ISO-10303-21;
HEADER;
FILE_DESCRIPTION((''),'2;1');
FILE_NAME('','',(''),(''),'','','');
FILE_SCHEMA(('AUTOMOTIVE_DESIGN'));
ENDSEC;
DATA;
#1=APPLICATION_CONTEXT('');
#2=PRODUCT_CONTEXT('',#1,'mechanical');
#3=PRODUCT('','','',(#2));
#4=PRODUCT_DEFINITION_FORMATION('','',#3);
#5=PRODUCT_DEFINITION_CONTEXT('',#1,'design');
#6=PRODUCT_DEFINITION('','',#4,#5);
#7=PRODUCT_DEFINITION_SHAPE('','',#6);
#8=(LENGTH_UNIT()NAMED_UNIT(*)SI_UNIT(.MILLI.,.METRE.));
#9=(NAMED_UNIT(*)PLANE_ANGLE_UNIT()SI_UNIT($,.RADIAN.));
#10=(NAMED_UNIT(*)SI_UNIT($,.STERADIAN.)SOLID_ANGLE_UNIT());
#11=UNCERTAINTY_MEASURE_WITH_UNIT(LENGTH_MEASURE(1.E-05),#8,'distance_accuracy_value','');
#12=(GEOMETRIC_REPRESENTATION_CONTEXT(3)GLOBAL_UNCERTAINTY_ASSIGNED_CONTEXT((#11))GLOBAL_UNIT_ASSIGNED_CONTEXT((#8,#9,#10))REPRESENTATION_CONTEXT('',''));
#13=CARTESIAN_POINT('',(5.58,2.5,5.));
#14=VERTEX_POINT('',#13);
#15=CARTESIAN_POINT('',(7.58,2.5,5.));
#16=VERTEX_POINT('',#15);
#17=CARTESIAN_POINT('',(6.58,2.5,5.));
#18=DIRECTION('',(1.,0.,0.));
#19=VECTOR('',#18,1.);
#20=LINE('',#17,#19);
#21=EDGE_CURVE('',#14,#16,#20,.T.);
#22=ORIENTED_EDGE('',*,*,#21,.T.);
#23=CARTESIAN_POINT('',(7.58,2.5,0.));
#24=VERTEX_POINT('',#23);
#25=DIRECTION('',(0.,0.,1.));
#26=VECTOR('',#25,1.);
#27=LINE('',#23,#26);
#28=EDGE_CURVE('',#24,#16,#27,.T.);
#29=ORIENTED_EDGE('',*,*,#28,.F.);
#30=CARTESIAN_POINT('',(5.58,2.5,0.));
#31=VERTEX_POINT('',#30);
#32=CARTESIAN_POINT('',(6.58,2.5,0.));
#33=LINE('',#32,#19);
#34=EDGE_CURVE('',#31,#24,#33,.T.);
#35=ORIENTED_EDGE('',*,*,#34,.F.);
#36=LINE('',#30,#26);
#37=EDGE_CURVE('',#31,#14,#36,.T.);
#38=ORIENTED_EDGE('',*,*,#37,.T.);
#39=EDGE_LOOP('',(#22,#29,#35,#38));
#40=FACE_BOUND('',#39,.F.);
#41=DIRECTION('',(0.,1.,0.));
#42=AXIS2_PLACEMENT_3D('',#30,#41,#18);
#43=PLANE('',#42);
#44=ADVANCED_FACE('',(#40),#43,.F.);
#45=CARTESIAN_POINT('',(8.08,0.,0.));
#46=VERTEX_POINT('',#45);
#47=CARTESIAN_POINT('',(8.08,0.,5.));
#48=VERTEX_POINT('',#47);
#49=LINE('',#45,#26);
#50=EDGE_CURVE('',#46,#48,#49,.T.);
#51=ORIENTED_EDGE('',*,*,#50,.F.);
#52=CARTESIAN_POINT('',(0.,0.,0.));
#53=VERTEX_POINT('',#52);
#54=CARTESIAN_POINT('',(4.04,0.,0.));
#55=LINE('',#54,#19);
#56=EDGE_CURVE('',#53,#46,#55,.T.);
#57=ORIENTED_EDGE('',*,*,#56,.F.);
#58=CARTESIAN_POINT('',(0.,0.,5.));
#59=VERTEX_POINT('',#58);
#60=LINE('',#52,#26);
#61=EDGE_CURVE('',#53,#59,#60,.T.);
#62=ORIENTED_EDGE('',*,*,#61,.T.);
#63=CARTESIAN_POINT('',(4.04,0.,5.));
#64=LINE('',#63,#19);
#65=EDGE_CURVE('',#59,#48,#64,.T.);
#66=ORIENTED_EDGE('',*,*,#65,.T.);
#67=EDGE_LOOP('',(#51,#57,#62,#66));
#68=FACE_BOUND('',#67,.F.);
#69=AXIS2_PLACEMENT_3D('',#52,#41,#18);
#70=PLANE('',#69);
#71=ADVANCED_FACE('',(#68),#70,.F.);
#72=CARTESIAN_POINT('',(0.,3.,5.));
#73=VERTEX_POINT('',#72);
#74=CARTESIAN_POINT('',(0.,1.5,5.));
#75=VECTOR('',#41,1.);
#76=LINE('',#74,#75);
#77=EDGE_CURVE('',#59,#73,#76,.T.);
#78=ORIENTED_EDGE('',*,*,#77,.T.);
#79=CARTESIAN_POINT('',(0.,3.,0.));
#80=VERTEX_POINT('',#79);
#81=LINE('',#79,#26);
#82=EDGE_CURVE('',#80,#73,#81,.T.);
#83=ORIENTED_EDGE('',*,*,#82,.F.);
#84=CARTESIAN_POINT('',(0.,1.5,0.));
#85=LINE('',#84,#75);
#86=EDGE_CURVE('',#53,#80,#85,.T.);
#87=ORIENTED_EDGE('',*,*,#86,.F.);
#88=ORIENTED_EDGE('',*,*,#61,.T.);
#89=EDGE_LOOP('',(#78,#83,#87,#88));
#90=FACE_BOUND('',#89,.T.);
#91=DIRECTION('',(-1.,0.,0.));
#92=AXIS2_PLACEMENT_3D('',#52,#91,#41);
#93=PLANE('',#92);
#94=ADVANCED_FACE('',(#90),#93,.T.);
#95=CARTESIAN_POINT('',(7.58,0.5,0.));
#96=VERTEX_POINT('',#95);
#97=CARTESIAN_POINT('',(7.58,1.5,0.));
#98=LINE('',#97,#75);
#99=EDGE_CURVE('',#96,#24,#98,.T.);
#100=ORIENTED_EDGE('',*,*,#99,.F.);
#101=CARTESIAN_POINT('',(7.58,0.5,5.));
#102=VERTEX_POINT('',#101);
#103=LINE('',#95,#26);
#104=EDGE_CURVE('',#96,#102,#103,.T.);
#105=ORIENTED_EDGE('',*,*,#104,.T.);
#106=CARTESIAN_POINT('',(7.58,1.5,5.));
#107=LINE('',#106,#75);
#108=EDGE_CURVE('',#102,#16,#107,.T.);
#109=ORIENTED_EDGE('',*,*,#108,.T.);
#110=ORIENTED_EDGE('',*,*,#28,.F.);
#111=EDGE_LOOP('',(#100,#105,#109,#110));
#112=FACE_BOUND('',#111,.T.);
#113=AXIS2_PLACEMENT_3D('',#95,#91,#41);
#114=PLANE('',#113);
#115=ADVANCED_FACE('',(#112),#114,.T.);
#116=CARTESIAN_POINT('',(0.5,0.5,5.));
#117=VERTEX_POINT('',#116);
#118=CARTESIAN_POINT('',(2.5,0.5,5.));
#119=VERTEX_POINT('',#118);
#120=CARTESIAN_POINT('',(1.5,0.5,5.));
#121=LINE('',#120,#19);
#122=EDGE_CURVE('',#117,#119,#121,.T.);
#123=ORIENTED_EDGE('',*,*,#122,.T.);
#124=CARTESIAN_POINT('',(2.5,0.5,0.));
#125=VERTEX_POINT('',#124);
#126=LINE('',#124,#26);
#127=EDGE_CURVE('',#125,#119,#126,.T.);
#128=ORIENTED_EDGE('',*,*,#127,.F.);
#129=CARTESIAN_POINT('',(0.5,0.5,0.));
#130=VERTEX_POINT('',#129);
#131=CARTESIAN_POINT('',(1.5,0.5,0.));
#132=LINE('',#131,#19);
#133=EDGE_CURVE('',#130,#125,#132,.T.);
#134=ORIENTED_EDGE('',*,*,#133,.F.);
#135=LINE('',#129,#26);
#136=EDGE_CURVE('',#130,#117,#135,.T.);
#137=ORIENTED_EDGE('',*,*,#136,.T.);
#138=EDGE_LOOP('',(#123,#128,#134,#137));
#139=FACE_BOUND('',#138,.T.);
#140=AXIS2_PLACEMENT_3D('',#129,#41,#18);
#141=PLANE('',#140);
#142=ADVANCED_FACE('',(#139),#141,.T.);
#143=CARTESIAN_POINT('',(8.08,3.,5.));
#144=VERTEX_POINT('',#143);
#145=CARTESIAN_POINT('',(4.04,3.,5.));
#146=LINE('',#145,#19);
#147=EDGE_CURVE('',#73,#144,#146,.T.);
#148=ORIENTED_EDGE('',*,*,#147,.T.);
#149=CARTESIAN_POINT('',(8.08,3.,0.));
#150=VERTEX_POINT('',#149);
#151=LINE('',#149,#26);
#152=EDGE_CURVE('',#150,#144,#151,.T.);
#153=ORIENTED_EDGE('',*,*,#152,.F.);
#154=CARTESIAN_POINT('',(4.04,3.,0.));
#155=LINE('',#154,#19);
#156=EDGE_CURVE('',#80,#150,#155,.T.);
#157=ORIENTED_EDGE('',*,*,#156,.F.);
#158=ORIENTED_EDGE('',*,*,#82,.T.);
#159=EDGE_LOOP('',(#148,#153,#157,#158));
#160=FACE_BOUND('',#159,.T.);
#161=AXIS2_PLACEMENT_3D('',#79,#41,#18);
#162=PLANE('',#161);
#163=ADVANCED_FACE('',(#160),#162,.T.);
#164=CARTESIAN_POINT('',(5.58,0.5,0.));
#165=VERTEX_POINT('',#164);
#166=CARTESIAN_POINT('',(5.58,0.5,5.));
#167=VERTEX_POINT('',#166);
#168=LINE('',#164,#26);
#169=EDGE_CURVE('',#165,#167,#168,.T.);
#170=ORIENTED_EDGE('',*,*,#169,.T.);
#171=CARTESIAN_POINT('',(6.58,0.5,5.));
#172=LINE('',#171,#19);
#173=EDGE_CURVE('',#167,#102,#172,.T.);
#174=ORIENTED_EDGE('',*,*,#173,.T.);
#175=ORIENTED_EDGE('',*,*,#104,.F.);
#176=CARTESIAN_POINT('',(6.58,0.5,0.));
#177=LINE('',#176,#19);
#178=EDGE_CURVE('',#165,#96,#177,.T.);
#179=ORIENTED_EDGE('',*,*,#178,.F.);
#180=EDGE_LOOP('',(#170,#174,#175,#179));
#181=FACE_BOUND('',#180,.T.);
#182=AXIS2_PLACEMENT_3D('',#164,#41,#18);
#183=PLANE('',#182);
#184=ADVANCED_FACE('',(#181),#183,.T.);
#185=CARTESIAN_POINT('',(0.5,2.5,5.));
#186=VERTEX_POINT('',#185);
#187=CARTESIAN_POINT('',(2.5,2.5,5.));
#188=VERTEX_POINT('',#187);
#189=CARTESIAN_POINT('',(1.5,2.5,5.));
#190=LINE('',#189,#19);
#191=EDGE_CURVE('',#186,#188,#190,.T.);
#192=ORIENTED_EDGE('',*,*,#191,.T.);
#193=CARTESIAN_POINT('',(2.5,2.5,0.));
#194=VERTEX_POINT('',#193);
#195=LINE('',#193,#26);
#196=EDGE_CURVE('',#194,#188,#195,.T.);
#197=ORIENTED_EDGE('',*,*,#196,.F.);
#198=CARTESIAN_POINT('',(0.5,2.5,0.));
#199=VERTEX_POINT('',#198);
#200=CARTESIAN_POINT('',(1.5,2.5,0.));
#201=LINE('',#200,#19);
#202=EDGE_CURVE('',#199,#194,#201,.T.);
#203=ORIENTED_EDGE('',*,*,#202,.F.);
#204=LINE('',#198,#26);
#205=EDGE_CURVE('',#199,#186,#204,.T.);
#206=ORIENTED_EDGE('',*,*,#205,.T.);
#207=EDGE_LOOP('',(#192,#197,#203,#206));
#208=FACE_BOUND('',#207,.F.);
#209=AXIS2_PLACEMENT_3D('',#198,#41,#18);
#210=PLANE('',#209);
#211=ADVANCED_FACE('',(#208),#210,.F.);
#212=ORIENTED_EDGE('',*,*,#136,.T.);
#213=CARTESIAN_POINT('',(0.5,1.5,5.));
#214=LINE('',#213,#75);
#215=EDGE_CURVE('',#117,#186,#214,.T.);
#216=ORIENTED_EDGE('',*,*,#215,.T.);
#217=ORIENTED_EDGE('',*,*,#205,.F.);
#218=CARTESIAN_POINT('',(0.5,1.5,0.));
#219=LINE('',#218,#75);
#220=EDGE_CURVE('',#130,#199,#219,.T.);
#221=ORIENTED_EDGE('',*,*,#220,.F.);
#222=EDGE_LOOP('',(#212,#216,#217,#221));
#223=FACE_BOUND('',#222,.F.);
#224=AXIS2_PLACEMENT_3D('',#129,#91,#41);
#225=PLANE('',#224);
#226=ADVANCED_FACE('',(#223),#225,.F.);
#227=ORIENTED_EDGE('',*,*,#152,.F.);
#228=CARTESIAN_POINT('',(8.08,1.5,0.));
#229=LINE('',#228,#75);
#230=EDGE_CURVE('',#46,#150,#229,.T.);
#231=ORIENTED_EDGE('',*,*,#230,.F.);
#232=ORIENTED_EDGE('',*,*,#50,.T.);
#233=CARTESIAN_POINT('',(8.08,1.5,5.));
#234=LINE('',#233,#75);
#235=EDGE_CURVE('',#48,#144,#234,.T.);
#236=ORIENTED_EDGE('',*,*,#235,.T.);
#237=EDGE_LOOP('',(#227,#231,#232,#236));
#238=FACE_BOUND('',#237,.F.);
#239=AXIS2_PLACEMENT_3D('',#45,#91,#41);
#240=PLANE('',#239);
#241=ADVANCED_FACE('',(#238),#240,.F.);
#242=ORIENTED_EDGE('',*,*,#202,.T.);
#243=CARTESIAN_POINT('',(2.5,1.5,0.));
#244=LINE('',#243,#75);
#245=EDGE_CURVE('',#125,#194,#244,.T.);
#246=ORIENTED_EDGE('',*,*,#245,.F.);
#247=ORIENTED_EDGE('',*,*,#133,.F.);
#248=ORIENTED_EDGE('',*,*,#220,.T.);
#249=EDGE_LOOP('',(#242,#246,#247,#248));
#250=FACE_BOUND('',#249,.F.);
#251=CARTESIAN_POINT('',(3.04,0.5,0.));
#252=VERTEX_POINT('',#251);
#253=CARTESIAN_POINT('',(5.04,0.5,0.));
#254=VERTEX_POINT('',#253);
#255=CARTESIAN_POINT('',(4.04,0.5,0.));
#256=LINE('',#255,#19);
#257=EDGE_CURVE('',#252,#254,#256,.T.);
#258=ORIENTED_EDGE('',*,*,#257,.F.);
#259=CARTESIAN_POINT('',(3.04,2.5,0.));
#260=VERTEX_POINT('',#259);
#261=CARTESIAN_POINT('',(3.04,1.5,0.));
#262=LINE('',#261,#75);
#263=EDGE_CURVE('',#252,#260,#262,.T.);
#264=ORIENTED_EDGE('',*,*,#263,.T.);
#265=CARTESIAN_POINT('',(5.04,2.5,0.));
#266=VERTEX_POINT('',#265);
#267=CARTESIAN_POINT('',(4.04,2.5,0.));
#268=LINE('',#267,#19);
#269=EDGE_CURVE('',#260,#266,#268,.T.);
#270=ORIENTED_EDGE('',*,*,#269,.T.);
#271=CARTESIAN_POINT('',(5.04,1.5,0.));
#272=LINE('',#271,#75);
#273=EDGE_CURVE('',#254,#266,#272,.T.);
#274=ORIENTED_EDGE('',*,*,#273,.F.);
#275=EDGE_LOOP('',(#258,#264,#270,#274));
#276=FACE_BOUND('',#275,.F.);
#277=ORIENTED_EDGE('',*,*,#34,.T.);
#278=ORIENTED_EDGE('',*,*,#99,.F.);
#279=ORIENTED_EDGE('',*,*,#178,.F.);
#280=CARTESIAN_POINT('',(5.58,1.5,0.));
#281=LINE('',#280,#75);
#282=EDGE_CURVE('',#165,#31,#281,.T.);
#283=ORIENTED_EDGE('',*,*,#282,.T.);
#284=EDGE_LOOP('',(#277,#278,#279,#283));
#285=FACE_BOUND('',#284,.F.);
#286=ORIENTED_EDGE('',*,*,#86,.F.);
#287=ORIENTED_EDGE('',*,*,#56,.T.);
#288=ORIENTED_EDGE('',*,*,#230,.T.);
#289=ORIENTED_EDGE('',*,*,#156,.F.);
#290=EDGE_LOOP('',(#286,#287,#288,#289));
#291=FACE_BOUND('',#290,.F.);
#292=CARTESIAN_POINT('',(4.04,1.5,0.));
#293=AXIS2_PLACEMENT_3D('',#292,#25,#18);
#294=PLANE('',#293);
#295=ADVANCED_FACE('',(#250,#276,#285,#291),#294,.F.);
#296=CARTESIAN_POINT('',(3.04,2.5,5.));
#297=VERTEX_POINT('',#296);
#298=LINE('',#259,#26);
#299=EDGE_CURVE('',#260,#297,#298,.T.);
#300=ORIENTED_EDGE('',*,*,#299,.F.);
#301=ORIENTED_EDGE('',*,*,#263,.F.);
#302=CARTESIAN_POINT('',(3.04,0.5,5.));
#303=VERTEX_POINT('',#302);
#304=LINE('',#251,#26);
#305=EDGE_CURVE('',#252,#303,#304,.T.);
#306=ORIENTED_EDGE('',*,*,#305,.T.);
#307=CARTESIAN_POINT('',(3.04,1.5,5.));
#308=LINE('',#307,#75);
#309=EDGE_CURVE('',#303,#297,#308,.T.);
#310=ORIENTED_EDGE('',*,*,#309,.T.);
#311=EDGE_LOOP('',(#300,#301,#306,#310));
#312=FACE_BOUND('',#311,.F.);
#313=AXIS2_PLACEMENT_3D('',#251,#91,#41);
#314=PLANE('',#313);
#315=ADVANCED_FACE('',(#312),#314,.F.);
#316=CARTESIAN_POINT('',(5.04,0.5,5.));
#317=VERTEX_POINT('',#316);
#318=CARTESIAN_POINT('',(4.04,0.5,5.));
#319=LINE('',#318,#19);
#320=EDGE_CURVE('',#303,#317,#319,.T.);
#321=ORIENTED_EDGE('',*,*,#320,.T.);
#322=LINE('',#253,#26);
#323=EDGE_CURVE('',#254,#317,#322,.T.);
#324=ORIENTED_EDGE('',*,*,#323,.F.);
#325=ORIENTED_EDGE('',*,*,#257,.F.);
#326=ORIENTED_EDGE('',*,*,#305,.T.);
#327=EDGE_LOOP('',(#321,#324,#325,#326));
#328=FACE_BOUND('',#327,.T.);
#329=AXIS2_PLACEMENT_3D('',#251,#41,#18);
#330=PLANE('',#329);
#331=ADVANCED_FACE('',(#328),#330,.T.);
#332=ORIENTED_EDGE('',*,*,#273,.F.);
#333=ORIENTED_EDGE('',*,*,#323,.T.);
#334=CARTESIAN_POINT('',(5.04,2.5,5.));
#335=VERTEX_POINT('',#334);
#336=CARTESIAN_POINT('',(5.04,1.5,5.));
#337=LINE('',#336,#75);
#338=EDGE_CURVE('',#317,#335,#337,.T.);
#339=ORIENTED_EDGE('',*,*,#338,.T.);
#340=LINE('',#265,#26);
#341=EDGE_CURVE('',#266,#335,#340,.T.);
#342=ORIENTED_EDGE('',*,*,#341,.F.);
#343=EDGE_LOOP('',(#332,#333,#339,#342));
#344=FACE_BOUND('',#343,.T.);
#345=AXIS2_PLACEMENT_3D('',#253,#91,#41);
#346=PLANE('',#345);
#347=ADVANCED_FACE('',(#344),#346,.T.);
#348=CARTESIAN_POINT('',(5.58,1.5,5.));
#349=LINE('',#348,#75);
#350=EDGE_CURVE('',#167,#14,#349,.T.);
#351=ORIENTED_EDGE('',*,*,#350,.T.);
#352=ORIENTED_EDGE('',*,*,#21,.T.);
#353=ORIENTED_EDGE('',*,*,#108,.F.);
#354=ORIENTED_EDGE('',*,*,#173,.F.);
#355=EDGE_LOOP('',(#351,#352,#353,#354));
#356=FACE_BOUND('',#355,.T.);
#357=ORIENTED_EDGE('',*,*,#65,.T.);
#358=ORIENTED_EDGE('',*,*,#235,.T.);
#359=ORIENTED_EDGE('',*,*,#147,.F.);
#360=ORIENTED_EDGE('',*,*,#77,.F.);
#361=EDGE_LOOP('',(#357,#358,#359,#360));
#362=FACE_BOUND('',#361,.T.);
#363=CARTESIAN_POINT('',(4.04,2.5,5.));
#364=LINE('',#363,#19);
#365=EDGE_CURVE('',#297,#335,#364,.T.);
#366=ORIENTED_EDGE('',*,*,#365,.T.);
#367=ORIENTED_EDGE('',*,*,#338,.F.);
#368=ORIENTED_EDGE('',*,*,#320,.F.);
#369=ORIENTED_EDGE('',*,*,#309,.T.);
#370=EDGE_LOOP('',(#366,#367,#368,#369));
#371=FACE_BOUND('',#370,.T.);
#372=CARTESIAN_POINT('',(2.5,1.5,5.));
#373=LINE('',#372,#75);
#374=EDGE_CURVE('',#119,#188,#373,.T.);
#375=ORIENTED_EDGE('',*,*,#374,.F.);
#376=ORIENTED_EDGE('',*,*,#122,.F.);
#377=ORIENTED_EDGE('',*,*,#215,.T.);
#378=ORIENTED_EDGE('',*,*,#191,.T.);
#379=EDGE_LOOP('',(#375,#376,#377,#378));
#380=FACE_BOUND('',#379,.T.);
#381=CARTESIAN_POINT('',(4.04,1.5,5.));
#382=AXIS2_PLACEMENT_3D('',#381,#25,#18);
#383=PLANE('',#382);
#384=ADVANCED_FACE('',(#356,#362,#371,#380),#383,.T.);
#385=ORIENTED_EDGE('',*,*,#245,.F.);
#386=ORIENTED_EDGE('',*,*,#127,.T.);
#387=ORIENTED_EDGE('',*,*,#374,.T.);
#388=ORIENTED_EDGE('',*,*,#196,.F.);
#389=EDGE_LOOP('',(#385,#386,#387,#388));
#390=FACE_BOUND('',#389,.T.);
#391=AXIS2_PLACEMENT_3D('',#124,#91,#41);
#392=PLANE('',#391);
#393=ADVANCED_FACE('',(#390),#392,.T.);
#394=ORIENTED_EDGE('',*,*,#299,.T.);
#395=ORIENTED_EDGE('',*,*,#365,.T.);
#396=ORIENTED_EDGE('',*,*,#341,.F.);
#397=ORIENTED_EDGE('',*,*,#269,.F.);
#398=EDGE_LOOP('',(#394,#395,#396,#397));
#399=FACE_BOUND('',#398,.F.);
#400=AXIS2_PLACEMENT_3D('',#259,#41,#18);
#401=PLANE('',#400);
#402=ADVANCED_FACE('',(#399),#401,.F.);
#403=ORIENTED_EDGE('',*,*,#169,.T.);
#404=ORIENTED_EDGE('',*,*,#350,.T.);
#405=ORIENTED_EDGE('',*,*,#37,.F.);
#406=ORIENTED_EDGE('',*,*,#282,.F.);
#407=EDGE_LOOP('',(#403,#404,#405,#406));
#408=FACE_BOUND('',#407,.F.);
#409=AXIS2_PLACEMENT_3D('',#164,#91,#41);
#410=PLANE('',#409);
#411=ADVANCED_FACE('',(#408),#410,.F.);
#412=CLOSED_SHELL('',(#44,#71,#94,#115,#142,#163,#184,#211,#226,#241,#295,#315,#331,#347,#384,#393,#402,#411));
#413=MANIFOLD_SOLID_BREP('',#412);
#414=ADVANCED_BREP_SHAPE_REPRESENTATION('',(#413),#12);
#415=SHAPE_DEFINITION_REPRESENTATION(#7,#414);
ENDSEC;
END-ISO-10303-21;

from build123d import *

# Parameters (mm, degrees)
F0_W     = 8.08
F0_H     = 3
F0_W_2   = 2
F0_H_2   = 2
F1_DEPTH = 5


with BuildPart() as f1:
    # F0 (on Top) → F1 (new body)
    with BuildSketch(Plane.XY):
        with Locations((4.04, 1.5)):
            Rectangle(F0_W, F0_H)
        with Locations((1.5, 1.5)):
            Rectangle(F0_W_2, F0_H_2, mode=Mode.SUBTRACT)
        with Locations((4.04, 1.5)):
            Rectangle(F0_W_2, F0_H_2, mode=Mode.SUBTRACT)
        with Locations((6.58, 1.5)):
            Rectangle(F0_W_2, F0_H_2, mode=Mode.SUBTRACT)
    extrude(amount=F1_DEPTH)


solid = f1.part
